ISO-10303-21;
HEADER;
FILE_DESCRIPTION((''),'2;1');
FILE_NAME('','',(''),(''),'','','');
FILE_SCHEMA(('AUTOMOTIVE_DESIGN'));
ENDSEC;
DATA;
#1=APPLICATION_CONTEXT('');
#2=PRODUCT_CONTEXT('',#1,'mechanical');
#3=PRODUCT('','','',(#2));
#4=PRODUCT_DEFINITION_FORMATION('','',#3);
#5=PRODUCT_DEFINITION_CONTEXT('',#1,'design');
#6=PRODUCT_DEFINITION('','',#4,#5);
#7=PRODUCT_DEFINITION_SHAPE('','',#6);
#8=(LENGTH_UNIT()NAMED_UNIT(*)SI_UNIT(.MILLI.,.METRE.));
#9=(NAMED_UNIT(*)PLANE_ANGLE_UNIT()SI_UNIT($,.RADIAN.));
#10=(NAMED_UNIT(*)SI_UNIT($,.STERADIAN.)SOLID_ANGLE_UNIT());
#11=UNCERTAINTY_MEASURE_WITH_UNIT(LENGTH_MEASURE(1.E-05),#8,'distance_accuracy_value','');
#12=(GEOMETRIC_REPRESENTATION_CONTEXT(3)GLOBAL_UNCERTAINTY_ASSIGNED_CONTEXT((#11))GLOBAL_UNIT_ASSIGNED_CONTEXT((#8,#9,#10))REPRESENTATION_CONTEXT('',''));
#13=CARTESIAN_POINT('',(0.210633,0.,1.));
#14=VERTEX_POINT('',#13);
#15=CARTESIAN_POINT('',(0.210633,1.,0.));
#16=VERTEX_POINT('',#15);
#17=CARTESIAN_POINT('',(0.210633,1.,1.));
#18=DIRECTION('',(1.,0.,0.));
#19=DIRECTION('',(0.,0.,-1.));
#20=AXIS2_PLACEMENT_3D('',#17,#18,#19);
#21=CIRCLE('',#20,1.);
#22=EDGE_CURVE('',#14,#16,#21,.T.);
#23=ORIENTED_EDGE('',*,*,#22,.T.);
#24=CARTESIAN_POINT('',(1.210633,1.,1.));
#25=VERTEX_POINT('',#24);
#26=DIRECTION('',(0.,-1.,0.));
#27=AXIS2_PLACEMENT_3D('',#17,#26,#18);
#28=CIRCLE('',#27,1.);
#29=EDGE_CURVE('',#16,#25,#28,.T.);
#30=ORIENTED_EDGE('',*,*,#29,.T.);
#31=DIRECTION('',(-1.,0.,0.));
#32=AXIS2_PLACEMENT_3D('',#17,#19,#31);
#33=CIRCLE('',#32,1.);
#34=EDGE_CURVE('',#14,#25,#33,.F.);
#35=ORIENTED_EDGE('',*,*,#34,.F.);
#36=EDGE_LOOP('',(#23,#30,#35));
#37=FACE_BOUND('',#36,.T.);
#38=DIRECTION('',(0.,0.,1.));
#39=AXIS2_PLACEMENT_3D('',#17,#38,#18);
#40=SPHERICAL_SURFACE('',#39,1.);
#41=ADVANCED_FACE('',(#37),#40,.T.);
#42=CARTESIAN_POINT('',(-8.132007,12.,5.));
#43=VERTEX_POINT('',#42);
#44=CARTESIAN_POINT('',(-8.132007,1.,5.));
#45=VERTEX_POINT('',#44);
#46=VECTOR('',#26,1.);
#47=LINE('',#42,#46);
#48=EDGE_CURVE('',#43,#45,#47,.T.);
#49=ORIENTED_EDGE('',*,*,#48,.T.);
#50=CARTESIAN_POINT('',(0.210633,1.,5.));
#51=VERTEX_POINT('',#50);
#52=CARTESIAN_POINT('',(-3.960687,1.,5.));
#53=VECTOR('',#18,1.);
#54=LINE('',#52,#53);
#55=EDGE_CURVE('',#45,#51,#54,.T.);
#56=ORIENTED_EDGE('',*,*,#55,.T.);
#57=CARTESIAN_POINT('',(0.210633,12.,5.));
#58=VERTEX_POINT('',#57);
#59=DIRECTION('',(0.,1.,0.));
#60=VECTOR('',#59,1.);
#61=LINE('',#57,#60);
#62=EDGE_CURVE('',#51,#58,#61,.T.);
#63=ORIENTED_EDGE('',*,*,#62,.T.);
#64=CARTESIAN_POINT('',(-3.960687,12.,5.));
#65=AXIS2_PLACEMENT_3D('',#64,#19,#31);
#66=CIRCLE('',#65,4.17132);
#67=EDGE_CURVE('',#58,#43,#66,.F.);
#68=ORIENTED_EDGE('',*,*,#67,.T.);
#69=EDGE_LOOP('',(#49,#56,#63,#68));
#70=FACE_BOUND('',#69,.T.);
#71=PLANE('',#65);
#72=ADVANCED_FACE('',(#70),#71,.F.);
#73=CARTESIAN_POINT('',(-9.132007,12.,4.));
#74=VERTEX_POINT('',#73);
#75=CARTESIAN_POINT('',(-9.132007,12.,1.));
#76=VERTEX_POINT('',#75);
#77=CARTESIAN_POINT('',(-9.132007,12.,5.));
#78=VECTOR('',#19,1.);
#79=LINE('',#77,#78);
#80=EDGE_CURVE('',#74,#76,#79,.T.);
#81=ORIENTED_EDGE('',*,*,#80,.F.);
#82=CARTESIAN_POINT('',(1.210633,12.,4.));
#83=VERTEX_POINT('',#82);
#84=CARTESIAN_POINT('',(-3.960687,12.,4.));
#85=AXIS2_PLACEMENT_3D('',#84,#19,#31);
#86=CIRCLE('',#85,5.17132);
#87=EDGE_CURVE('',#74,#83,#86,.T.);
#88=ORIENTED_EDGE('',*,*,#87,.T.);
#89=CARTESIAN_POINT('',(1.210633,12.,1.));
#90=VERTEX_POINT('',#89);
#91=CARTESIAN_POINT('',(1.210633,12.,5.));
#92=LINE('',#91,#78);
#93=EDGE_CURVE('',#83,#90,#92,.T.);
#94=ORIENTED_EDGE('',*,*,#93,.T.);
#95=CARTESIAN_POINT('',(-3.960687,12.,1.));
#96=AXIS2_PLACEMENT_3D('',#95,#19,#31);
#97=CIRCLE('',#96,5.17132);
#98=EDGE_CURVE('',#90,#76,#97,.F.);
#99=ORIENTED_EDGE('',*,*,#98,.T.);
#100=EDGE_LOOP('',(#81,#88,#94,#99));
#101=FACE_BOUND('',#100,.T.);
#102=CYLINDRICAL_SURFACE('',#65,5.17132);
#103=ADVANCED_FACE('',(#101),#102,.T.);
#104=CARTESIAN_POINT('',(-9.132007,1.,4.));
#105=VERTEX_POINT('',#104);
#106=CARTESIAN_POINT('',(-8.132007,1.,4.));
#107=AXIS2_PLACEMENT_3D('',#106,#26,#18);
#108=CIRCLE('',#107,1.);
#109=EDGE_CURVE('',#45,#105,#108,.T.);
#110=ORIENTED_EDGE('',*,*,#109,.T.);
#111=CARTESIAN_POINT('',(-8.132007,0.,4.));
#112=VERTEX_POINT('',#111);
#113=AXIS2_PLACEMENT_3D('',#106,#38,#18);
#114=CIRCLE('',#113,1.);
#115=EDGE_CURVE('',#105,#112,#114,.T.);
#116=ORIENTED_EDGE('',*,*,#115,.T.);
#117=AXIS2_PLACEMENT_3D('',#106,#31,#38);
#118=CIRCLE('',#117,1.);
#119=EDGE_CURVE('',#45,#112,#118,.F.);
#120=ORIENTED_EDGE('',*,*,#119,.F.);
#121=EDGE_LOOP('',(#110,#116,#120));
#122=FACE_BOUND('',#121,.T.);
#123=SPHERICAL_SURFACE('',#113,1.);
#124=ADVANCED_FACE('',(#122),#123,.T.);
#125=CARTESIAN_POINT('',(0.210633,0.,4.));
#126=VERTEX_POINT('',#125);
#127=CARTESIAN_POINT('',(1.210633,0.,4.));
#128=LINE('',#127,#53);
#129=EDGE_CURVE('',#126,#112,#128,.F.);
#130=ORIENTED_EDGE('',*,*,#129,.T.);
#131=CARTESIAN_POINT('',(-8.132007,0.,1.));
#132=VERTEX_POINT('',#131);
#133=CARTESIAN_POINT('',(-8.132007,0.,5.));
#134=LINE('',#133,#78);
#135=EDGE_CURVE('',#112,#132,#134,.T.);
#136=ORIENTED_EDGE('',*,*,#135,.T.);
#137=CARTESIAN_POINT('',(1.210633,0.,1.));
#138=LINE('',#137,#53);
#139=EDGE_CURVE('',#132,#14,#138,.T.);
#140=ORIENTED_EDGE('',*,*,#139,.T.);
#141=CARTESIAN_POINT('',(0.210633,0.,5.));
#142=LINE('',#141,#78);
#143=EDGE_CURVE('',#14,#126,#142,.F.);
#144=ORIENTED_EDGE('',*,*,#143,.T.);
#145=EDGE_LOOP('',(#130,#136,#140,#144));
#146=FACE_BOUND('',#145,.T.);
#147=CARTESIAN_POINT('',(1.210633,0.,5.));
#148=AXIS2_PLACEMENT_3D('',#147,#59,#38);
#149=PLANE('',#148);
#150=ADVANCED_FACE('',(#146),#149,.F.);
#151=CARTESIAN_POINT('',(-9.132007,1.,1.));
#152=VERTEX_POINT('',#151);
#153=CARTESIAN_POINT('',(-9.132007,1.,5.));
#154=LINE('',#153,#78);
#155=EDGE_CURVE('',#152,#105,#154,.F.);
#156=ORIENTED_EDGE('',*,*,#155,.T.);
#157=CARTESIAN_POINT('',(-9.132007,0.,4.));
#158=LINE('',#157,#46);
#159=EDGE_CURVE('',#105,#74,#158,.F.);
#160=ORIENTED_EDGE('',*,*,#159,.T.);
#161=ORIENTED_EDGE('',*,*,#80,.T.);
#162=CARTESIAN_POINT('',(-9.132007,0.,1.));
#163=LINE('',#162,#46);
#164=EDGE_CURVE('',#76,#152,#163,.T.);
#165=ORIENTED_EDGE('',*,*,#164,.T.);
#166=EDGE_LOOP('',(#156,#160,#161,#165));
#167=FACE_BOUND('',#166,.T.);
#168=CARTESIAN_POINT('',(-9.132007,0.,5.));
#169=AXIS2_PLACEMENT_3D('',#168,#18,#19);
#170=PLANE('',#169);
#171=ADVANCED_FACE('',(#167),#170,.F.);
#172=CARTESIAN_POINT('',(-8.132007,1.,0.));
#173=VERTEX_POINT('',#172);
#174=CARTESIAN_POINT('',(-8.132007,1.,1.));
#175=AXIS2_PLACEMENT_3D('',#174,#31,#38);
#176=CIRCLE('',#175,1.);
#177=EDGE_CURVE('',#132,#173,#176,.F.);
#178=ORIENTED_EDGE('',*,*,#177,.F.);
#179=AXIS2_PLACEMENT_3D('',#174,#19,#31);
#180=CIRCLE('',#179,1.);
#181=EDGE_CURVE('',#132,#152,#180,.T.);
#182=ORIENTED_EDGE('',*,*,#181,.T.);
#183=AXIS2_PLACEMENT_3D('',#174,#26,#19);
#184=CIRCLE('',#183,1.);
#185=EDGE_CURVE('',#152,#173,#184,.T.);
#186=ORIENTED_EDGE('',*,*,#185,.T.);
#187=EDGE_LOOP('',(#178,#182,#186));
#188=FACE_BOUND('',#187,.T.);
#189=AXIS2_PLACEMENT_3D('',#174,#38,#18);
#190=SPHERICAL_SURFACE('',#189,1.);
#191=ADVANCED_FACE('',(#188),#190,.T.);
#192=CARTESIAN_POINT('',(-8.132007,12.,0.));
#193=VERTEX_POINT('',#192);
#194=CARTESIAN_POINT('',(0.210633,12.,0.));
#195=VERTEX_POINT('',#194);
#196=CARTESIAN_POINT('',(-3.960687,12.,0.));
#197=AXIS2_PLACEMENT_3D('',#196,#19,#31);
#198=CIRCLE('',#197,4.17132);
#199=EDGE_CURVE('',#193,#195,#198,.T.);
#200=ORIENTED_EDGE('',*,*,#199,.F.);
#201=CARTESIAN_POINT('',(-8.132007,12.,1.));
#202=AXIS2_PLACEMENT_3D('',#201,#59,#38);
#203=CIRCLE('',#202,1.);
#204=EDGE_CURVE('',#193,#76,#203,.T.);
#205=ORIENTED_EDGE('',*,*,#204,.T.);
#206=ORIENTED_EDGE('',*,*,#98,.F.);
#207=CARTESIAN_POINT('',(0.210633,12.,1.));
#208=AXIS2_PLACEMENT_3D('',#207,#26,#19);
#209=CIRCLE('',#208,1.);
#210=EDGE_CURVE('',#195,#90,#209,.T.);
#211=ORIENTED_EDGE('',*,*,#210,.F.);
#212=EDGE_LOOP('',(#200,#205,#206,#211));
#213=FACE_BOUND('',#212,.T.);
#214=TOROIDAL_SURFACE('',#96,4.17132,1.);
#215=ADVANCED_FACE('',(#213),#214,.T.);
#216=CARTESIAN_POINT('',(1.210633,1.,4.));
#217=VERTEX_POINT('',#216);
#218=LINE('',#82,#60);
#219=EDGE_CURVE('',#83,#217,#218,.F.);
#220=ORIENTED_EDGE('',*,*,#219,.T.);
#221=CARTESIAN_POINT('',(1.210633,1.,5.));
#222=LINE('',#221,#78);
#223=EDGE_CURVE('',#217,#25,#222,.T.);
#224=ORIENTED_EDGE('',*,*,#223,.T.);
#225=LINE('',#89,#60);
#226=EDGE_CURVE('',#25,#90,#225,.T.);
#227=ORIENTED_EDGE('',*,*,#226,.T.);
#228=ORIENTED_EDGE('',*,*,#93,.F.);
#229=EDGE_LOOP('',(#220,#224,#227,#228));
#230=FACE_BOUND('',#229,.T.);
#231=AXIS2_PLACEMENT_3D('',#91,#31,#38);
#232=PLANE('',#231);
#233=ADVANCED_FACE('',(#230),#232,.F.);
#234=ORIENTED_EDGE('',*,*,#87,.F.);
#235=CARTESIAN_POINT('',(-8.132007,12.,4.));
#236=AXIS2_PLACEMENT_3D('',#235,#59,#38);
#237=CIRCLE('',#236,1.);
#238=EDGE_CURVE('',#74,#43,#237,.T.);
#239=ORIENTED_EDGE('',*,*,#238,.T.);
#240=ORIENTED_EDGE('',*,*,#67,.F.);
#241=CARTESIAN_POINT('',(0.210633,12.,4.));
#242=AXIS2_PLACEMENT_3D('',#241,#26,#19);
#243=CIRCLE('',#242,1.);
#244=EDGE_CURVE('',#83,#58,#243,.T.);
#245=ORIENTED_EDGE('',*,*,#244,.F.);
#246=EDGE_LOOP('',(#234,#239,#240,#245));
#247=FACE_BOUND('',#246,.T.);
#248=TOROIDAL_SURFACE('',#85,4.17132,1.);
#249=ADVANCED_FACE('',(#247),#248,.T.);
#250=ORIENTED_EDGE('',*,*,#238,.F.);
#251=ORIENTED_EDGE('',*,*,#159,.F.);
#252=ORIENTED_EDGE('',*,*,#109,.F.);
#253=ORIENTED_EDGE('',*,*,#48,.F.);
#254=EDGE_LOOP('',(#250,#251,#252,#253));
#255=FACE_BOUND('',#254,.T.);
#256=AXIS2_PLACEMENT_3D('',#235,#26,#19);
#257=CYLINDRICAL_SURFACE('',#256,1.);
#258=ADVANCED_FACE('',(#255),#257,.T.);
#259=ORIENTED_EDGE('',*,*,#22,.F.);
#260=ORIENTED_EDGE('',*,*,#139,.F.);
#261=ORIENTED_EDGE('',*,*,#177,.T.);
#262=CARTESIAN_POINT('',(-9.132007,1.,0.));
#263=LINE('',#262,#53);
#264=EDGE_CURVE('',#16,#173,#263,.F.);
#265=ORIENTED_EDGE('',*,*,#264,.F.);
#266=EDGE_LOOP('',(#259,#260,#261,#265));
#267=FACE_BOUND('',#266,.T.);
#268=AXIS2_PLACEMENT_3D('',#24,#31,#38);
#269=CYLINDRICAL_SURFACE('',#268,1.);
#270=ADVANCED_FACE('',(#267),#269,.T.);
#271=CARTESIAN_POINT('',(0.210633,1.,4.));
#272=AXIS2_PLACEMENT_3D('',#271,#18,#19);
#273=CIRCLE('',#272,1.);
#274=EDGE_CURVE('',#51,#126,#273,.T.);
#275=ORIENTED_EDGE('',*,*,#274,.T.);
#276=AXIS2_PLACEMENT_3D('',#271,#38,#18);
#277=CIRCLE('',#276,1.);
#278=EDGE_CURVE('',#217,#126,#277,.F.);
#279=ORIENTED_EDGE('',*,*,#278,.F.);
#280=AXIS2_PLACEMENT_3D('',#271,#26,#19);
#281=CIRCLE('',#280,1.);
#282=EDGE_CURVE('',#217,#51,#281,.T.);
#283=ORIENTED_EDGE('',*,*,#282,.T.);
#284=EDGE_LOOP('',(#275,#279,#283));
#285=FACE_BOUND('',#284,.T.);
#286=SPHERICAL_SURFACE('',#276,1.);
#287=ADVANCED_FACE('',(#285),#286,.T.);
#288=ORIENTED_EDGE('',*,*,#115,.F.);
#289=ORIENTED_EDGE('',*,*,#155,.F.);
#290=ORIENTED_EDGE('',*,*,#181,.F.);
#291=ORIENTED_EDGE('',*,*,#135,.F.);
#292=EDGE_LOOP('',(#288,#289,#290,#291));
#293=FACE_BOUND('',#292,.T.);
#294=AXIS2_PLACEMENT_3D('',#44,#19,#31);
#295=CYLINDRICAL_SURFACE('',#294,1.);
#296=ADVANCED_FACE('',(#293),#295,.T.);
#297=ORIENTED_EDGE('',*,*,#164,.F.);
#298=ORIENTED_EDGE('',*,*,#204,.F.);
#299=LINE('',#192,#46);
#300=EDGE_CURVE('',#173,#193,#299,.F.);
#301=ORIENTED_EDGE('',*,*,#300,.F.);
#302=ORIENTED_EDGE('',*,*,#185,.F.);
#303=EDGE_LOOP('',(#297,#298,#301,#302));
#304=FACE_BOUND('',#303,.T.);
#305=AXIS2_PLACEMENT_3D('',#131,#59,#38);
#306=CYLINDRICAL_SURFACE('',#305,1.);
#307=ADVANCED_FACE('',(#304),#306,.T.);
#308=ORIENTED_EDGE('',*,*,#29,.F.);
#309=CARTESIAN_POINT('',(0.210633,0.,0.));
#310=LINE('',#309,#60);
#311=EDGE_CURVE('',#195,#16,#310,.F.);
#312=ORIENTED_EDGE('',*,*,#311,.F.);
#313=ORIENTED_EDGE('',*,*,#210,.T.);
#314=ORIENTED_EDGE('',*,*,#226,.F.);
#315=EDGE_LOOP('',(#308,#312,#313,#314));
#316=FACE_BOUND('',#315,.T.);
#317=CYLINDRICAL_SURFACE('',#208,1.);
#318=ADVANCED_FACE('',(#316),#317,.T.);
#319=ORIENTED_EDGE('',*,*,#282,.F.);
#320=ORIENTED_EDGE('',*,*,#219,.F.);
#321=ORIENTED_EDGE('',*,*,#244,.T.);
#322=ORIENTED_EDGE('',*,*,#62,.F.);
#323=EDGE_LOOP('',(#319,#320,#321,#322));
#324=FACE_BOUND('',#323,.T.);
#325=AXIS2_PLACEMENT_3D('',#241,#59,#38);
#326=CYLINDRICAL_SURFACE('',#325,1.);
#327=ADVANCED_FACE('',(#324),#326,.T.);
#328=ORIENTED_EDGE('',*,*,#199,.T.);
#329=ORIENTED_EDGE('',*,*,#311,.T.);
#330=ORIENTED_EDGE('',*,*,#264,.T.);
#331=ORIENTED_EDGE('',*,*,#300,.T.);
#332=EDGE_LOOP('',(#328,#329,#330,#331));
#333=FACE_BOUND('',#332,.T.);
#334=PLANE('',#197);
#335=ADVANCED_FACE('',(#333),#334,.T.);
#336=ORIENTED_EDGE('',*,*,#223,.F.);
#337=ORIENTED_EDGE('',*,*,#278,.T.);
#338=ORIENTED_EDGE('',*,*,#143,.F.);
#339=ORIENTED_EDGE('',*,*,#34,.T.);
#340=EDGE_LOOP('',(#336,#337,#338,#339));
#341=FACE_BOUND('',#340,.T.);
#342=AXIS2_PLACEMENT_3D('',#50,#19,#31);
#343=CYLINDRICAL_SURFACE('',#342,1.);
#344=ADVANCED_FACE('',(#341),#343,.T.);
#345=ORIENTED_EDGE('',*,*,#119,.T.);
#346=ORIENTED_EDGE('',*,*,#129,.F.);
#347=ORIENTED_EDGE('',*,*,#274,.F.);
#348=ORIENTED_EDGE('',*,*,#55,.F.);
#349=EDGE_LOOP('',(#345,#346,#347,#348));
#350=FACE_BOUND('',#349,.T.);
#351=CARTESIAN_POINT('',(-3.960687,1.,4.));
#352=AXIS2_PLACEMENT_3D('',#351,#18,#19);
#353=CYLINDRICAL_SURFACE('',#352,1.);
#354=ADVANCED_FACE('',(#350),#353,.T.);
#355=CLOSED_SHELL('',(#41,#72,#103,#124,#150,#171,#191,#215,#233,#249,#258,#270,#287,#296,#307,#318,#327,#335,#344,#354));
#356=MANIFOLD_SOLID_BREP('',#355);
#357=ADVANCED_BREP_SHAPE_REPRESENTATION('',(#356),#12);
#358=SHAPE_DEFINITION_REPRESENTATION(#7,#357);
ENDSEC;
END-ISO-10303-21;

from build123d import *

# Parameters (mm, degrees)
BOSS_EXTRUDE1_DEPTH = 5
FILLET2_R           = 1


with BuildPart() as part:
    # Sketch1 → Boss-Extrude1 (new body)
    with BuildSketch(Plane.XY):
        with BuildLine():
            Line((-9.132007365, 0), (-9.132007365, 12))
            ThreePointArc((-9.132007365, 12), (-3.960686979, 17.171320386), (1.210633407, 12))
            Line((1.210633407, 12), (1.210633407, 0))
            Line((1.210633407, 0), (-9.132007365, 0))
        make_face()
    extrude(amount=BOSS_EXTRUDE1_DEPTH)

    # Fillet2
    fillet2_edges = [part.edges().sort_by_distance(p)[0] for p in [
        (-3.960686979, 17.171320386, 5),
        (-9.132007365, 6, 5),
        (-3.960686979, 0, 5),
        (-9.132007365, 6, 0),
        (-3.960686979, 17.171320386, 0),
        (1.210633407, 6, 0),
        (-3.960686979, 0, 0),
        (1.210633407, 6, 5),
        (-9.132007365, 0, 2.5),
        (1.210633407, 0, 2.5),
    ]]
    fillet(fillet2_edges, radius=FILLET2_R)


solid = part.part
